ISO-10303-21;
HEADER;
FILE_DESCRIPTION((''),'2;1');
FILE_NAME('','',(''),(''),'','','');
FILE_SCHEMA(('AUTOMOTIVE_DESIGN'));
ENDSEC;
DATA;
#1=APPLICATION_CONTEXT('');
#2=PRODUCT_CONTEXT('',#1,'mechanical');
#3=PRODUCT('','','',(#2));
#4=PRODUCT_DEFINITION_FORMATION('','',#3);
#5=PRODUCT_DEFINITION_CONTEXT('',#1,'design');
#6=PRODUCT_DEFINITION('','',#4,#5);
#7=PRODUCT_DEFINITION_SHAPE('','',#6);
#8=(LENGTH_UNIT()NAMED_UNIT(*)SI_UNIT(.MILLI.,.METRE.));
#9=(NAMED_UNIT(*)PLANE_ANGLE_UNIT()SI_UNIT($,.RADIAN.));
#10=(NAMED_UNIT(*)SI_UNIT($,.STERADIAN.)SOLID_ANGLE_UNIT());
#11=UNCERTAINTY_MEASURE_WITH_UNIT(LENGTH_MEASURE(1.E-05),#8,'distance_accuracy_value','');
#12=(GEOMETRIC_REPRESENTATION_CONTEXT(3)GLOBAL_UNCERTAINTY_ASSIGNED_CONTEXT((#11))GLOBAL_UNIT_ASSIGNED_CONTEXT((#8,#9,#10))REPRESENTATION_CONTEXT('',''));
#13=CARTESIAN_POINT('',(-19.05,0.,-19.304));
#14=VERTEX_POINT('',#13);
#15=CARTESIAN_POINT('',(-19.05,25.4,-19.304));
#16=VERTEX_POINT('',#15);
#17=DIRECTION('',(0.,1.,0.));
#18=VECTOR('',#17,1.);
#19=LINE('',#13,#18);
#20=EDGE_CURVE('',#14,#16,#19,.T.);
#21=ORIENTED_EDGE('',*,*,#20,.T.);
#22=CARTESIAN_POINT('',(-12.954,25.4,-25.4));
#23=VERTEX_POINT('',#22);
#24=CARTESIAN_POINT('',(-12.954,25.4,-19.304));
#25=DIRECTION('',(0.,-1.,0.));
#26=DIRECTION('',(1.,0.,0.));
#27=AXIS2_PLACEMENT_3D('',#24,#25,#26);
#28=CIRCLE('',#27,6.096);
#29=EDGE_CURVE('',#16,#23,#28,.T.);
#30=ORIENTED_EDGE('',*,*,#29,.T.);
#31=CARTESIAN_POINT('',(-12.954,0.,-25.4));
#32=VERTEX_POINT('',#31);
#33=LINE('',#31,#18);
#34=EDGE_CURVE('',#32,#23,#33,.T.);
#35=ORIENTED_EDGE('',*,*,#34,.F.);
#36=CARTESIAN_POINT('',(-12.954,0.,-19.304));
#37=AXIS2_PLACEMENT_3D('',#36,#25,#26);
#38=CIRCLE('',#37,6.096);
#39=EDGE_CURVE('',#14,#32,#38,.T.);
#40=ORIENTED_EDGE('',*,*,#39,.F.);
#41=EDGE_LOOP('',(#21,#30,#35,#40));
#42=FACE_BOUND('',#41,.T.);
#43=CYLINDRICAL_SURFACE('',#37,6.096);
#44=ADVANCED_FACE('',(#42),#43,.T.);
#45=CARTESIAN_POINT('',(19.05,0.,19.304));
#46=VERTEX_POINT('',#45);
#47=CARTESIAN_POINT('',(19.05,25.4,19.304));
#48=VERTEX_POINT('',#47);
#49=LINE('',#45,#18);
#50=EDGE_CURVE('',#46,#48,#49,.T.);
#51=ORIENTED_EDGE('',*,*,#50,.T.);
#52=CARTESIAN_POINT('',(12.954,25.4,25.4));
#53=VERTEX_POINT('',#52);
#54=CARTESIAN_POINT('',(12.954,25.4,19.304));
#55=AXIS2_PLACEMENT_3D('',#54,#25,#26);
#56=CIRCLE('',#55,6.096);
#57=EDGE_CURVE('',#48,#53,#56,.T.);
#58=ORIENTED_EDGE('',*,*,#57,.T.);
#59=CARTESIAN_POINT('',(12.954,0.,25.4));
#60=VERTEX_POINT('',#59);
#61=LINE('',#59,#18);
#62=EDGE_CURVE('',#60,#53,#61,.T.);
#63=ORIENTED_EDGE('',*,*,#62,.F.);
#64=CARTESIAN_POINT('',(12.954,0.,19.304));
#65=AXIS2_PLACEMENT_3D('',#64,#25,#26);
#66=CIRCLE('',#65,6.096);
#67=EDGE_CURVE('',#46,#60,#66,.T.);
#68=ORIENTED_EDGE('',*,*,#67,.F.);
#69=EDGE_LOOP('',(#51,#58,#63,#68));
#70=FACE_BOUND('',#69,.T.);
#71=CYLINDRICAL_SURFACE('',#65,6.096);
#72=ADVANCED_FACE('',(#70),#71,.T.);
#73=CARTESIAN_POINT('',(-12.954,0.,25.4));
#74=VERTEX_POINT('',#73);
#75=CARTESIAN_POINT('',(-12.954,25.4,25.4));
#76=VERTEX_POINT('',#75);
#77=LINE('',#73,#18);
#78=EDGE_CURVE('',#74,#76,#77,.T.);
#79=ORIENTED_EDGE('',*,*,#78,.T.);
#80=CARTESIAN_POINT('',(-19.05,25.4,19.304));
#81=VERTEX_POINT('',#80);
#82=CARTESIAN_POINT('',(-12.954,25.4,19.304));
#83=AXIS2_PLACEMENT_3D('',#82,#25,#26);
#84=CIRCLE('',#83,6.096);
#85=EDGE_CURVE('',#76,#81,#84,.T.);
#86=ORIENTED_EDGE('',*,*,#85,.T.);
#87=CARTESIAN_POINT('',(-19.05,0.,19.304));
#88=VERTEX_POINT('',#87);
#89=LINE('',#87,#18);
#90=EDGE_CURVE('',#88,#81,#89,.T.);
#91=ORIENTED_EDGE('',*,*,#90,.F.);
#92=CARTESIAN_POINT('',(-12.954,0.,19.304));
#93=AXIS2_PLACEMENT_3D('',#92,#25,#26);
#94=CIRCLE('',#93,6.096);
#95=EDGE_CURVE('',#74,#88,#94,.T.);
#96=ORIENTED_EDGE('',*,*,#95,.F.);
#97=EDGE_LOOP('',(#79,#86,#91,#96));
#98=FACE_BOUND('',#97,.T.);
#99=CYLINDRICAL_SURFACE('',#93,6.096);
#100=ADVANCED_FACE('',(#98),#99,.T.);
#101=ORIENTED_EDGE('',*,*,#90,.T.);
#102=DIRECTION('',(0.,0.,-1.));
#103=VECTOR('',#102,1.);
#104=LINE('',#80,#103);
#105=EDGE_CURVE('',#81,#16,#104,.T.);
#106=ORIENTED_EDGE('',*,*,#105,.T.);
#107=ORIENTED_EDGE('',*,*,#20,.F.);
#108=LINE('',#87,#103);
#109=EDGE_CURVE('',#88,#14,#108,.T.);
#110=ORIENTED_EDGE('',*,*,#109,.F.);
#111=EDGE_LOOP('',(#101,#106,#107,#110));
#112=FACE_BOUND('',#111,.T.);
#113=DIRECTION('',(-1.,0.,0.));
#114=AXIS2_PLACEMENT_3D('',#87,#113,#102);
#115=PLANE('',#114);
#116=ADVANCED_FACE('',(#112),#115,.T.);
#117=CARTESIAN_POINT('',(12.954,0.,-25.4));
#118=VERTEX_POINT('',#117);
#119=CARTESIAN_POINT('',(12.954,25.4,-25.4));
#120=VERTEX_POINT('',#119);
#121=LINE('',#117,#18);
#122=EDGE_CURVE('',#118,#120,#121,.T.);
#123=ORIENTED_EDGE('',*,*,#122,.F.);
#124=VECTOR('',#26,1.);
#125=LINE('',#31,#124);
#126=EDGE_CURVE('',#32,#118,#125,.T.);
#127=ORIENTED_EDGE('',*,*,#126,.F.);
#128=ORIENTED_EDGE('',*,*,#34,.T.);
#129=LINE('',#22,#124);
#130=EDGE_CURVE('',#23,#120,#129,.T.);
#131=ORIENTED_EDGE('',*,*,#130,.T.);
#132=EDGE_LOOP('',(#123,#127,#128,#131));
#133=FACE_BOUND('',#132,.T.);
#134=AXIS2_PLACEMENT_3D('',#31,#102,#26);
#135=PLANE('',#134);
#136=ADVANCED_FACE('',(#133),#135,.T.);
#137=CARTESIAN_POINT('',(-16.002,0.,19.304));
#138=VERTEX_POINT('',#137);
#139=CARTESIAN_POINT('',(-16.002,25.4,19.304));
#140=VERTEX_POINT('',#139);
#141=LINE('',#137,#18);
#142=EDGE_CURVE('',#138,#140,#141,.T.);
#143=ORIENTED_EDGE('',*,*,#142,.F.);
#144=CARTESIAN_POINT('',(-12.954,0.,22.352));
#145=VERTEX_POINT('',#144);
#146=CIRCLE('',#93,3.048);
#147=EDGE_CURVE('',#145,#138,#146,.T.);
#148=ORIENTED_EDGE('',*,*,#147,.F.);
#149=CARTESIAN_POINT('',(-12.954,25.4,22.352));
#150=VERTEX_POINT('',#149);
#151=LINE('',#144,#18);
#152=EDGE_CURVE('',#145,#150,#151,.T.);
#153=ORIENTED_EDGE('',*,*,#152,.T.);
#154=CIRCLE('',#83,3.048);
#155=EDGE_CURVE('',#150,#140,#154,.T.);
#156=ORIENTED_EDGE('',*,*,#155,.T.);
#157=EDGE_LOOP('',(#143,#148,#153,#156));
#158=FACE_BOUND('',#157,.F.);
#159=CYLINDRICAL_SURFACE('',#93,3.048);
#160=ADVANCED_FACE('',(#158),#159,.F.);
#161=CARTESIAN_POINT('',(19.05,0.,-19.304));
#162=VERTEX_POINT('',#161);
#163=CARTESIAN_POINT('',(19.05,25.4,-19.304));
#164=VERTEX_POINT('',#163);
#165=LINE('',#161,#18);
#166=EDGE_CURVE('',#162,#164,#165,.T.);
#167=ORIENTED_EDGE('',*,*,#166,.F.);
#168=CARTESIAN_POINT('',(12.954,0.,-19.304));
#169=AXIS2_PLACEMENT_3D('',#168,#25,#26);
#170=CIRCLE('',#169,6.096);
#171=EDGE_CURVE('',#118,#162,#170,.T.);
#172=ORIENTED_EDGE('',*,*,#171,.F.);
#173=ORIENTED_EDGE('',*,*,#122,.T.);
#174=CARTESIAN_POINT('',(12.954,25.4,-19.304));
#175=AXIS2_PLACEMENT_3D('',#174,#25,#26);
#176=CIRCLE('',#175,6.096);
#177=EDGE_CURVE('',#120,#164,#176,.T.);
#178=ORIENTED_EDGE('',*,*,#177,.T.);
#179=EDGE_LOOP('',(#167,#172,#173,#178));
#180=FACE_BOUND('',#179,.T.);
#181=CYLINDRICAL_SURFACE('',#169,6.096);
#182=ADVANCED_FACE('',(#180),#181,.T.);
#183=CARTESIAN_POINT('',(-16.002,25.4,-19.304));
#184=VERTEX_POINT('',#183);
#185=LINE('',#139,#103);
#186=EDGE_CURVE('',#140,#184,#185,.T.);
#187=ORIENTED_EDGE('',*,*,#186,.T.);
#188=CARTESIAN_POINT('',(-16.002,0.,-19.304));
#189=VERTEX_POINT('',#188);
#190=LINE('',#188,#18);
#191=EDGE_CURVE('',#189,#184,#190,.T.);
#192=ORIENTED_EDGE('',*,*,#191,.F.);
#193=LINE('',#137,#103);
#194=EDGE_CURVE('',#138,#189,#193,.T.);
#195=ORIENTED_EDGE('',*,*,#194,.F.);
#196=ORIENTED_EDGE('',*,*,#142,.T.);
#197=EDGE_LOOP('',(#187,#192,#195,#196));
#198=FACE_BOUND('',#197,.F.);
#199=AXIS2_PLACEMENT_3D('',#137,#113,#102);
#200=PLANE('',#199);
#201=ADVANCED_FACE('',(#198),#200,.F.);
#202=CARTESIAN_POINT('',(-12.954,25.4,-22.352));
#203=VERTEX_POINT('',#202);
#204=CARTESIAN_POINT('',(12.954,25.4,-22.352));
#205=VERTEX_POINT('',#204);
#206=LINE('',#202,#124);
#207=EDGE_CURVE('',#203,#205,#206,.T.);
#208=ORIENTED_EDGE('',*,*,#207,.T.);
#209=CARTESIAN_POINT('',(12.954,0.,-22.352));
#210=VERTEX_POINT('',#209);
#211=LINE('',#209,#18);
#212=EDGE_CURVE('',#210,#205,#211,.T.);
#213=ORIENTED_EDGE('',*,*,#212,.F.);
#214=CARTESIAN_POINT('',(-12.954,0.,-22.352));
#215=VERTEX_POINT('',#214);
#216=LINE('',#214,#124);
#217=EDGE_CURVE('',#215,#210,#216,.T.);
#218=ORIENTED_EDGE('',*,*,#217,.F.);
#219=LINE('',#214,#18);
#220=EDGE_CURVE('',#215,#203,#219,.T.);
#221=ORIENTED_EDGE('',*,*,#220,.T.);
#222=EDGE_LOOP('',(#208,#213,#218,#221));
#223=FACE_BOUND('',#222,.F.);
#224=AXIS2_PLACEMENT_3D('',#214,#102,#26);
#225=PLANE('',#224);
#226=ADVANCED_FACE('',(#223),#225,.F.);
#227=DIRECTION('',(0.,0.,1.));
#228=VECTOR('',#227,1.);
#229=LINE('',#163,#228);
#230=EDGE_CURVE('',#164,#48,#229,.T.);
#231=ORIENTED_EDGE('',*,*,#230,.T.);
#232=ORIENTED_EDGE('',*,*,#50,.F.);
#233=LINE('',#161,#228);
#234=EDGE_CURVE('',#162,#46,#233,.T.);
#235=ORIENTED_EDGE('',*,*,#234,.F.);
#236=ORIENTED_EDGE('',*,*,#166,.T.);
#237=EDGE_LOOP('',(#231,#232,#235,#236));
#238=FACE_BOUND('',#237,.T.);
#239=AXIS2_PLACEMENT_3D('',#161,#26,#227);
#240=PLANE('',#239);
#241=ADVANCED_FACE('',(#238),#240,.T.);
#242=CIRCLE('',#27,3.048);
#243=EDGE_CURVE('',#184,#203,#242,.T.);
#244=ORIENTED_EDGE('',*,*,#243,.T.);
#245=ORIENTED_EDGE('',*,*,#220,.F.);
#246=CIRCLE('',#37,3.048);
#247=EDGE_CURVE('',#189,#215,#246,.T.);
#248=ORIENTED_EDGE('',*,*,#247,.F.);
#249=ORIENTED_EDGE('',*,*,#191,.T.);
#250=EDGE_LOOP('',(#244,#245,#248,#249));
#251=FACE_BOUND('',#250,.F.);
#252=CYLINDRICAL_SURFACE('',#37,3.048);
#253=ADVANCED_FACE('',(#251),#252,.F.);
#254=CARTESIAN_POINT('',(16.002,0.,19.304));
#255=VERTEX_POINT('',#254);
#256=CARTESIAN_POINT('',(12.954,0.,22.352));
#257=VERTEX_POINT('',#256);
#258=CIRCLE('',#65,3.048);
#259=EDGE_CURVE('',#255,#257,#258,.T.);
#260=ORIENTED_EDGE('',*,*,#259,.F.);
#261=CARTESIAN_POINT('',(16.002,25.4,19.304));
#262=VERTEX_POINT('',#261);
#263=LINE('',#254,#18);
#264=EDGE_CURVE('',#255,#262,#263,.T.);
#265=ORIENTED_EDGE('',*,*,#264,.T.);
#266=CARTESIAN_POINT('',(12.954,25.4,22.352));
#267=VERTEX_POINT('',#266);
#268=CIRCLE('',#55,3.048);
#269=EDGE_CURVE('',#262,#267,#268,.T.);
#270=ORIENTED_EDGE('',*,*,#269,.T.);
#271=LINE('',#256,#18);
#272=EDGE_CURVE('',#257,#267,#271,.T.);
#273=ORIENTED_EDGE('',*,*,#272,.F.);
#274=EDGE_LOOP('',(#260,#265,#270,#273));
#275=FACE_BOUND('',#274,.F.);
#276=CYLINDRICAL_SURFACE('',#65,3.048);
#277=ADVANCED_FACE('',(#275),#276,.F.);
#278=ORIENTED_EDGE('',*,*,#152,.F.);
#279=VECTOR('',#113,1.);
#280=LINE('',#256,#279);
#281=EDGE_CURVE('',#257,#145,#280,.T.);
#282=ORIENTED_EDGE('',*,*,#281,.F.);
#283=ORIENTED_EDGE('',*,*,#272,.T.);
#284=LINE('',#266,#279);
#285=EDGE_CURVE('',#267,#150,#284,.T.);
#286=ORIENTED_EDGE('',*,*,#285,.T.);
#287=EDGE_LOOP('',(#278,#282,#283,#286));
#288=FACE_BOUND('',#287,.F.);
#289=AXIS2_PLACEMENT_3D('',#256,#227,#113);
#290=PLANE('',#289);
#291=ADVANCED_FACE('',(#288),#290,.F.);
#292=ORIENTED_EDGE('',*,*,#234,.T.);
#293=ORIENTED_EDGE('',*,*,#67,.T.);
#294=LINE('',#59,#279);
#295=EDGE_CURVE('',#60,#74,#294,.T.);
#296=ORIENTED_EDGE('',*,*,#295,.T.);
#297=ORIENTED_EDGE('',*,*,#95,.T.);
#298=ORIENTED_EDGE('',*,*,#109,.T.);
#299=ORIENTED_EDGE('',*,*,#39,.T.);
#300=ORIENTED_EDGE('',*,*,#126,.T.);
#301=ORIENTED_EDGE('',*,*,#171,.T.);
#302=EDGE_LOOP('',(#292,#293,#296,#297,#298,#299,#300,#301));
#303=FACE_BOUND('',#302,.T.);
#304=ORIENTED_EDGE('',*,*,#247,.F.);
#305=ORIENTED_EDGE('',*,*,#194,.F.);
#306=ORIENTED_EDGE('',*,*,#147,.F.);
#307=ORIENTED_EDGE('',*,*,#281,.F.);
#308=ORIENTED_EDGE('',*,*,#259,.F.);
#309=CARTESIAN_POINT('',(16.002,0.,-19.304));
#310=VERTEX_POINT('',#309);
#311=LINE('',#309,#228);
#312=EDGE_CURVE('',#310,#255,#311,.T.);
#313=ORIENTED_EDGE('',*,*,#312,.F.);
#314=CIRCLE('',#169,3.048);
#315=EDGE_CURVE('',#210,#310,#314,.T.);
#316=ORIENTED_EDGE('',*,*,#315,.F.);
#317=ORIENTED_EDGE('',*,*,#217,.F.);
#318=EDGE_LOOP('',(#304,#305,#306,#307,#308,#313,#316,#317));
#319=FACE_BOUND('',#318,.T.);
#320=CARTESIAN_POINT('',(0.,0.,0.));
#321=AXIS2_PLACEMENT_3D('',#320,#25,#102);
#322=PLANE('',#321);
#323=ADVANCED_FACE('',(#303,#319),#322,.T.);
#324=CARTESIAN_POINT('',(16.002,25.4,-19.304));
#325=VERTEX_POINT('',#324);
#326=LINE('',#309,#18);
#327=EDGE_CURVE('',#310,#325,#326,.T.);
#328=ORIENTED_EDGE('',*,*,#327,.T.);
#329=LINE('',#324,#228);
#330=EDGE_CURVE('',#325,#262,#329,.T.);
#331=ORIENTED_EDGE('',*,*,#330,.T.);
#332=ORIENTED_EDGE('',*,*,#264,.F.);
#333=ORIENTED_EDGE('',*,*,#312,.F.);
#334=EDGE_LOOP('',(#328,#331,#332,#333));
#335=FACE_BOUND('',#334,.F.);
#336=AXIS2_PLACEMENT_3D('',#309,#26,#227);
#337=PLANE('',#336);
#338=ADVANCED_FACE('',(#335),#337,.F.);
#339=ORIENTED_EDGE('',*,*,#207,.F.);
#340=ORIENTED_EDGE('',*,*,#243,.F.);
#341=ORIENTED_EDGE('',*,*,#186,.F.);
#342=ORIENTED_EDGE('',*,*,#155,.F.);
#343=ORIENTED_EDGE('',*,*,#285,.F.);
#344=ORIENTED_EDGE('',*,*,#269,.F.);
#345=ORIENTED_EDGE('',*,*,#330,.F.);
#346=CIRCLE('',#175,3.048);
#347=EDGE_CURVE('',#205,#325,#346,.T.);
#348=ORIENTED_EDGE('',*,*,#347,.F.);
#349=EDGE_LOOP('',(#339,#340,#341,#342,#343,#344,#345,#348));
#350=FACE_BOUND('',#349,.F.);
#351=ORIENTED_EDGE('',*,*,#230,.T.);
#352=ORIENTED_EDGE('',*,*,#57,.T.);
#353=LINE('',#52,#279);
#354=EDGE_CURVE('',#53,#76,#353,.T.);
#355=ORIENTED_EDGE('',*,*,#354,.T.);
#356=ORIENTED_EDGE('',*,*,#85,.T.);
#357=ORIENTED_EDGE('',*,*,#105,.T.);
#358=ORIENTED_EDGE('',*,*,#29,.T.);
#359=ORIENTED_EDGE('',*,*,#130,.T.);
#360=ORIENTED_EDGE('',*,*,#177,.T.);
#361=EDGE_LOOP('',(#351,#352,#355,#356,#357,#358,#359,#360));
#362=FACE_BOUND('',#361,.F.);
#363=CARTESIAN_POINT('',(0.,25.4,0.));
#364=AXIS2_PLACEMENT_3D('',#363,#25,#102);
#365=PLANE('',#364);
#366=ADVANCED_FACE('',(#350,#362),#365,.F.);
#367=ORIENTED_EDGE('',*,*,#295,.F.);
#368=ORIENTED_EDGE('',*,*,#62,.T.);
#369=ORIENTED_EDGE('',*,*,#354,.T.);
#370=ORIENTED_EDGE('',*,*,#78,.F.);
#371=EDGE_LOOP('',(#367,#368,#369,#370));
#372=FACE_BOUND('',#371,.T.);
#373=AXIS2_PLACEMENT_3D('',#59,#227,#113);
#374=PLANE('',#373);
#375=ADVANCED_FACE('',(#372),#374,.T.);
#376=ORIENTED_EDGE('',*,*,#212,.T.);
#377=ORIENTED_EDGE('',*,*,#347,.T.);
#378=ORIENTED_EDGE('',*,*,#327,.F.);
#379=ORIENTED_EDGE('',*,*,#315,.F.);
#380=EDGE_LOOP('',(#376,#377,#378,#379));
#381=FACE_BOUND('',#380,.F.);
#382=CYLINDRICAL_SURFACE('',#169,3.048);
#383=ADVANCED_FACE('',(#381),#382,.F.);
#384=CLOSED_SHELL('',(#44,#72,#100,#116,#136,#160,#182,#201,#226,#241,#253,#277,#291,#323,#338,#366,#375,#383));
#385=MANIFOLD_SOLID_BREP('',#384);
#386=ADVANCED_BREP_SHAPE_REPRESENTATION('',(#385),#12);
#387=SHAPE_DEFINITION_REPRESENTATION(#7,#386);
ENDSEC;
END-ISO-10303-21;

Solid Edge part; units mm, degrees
sketch "Sketch1" plane through (0, 0, 0) normal (0, -1, 0) x (1, 0, 0)
  line L0 (-16.002, 19.304) -> (-16.002, -19.304)
  arc A0 (-16.002, -19.304) -> (-12.954, -22.352) centre (-12.954, -19.304) ccw
  line L1 (-12.954, -22.352) -> (12.954, -22.352)
  arc A1 (12.954, -22.352) -> (16.002, -19.304) centre (12.954, -19.304) ccw
  line L2 (16.002, -19.304) -> (16.002, 19.304)
  arc A2 (16.002, 19.304) -> (12.954, 22.352) centre (12.954, 19.304) ccw
  line L3 (12.954, 22.352) -> (-12.954, 22.352)
  arc A3 (-12.954, 22.352) -> (-16.002, 19.304) centre (-12.954, 19.304) ccw
  arc A4 (-19.05, -19.304) -> (-12.954, -25.4) centre (-12.954, -19.304) ccw
  line L4 (-12.954, -25.4) -> (12.954, -25.4)
  arc A5 (12.954, -25.4) -> (19.05, -19.304) centre (12.954, -19.304) ccw
  line L5 (19.05, -19.304) -> (19.05, 19.304)
  arc A6 (19.05, 19.304) -> (12.954, 25.4) centre (12.954, 19.304) ccw
  line L6 (12.954, 25.4) -> (-12.954, 25.4)
  arc A7 (-12.954, 25.4) -> (-19.05, 19.304) centre (-12.954, 19.304) ccw
  line L7 (-19.05, 19.304) -> (-19.05, -19.304)
  dimension "D1" = 38.1
  dimension "D2" = 50.8
extrude "Protrusion1" add sketch "Sketch1" against normal blind 25.4
